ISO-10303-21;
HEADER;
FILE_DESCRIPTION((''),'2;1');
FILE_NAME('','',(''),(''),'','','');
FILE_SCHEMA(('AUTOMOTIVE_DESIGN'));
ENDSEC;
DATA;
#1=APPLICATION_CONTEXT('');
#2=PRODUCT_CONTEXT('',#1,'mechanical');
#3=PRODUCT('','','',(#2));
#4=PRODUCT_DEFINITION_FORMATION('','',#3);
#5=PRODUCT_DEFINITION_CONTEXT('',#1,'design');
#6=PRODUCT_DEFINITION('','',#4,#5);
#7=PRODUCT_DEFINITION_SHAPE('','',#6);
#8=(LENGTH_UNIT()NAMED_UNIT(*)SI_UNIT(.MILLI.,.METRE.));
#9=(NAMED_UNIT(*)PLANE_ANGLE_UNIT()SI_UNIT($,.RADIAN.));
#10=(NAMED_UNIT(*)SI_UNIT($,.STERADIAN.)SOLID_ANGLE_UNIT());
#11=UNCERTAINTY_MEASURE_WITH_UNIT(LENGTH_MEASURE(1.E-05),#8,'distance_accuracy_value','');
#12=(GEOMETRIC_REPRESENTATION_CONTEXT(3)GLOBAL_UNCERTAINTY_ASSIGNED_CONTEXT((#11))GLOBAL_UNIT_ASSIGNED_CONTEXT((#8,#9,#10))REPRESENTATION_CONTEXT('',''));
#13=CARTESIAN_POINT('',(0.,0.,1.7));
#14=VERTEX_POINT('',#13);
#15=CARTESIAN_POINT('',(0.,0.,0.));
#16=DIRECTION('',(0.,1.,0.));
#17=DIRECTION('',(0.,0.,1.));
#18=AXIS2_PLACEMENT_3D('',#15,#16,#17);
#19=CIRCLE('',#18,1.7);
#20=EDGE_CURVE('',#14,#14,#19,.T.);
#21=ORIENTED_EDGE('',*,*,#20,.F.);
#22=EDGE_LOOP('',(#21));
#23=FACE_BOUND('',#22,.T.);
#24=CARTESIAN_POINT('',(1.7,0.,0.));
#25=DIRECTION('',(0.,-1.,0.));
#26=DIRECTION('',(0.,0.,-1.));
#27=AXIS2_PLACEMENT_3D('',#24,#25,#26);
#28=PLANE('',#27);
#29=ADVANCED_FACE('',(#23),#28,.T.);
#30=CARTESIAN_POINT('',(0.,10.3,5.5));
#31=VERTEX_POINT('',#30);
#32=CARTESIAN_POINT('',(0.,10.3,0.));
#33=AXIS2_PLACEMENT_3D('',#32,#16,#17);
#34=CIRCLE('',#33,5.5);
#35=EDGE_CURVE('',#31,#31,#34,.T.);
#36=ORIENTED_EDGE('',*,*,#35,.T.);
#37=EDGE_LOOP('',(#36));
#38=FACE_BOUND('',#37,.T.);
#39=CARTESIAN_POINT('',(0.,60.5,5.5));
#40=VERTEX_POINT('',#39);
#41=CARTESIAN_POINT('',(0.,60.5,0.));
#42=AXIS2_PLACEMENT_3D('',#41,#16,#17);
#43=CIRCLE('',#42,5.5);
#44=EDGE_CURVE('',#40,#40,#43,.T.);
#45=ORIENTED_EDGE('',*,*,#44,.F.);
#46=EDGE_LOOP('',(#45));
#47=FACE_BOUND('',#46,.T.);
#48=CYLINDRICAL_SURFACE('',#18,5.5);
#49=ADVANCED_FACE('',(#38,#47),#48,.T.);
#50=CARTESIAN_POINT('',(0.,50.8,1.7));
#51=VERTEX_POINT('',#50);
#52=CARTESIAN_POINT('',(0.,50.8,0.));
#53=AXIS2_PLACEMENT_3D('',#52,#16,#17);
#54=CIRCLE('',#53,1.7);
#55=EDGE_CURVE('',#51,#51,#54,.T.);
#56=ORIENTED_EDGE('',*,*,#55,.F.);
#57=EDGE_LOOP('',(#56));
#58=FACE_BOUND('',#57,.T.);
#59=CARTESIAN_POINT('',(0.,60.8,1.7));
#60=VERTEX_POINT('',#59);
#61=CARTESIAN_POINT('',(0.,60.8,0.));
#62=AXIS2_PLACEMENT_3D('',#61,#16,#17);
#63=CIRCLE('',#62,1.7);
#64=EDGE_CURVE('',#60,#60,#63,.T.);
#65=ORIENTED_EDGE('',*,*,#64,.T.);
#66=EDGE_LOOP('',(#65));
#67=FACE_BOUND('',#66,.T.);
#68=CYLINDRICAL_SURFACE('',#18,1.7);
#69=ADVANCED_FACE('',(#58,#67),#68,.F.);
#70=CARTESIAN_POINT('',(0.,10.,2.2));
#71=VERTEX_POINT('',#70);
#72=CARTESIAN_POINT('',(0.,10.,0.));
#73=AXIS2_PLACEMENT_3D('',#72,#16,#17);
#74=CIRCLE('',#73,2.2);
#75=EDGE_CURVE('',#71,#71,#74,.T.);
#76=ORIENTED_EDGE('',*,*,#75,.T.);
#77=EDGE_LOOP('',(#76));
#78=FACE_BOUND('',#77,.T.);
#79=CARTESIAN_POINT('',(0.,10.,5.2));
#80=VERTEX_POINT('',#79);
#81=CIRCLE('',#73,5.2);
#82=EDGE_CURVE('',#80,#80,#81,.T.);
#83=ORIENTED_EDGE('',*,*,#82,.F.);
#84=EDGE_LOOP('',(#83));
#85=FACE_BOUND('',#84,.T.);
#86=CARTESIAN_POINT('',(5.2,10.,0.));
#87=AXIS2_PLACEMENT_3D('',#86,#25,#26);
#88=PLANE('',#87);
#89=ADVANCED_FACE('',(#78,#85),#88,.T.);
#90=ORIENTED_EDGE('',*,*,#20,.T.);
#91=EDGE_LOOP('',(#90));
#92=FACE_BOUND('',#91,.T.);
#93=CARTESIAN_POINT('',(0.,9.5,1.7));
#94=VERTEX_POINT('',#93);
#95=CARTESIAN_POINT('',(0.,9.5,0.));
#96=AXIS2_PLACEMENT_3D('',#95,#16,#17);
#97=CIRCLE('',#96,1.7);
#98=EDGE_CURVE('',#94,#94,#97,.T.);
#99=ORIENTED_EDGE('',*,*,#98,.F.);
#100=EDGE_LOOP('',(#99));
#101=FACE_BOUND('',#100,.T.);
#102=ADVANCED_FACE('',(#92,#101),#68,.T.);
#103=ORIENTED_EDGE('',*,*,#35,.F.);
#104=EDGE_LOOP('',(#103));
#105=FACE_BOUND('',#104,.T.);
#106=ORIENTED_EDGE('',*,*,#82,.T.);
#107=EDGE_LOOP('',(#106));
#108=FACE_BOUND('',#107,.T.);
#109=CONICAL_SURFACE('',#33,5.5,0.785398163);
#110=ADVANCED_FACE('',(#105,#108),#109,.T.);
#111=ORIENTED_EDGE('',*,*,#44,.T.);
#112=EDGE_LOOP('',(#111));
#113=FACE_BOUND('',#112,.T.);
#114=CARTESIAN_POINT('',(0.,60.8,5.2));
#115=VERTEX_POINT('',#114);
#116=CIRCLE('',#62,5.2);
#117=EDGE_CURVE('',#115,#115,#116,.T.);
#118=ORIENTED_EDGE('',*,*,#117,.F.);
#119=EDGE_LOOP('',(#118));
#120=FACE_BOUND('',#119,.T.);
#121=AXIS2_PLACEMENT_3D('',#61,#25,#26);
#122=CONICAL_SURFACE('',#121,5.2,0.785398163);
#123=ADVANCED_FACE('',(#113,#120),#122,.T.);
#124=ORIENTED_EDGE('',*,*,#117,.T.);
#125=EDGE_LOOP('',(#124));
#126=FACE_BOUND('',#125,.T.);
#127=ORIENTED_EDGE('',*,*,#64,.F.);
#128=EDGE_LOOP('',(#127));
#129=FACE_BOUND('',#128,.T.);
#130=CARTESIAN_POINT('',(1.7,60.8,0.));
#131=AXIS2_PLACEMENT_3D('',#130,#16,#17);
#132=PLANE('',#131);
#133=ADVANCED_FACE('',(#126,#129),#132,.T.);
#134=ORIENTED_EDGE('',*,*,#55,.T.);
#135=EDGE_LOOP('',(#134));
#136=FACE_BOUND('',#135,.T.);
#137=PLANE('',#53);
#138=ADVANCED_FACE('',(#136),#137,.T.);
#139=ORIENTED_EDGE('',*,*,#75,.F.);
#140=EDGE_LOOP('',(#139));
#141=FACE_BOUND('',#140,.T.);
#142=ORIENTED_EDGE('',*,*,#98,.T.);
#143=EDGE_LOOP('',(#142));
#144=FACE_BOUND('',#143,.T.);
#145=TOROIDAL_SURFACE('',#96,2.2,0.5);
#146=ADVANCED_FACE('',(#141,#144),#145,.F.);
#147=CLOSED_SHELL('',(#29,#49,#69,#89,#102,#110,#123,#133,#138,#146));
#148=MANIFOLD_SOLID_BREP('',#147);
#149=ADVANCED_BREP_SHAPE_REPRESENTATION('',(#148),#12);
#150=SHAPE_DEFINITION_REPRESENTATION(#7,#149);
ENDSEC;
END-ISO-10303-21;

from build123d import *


with BuildPart() as part:
    # Esboço1 → Revolução1 (revolve)
    with BuildSketch(Plane(origin=(0, 0, 0), x_dir=(-1, 0, 0), z_dir=(0, 0, -1)), mode=Mode.PRIVATE) as revolu_o1_sk:
        with BuildLine():
            Line((-1.7, 0), (0, 0))
            Line((0, 0), (0, 50.8))
            Line((0, 50.8), (-1.7, 50.8))
            Line((-1.7, 50.8), (-1.7, 60.8))
            Line((-1.7, 60.8), (-5.2, 60.8))
            Line((-5.2, 60.8), (-5.5, 60.5))
            Line((-5.5, 60.5), (-5.5, 10.3))
            Line((-5.5, 10.3), (-5.2, 10))
            Line((-5.2, 10), (-2.2, 10))
            ThreePointArc((-2.2, 10), (-1.846446609, 9.853553391), (-1.7, 9.5))
            Line((-1.7, 9.5), (-1.7, 0))
        make_face()
    revolve(revolu_o1_sk.sketch.rotate(Axis((0, 0, 0), (0, 1, 0)), 270), axis=Axis((0, 0, 0), (0, 1, 0)))


solid = part.part
